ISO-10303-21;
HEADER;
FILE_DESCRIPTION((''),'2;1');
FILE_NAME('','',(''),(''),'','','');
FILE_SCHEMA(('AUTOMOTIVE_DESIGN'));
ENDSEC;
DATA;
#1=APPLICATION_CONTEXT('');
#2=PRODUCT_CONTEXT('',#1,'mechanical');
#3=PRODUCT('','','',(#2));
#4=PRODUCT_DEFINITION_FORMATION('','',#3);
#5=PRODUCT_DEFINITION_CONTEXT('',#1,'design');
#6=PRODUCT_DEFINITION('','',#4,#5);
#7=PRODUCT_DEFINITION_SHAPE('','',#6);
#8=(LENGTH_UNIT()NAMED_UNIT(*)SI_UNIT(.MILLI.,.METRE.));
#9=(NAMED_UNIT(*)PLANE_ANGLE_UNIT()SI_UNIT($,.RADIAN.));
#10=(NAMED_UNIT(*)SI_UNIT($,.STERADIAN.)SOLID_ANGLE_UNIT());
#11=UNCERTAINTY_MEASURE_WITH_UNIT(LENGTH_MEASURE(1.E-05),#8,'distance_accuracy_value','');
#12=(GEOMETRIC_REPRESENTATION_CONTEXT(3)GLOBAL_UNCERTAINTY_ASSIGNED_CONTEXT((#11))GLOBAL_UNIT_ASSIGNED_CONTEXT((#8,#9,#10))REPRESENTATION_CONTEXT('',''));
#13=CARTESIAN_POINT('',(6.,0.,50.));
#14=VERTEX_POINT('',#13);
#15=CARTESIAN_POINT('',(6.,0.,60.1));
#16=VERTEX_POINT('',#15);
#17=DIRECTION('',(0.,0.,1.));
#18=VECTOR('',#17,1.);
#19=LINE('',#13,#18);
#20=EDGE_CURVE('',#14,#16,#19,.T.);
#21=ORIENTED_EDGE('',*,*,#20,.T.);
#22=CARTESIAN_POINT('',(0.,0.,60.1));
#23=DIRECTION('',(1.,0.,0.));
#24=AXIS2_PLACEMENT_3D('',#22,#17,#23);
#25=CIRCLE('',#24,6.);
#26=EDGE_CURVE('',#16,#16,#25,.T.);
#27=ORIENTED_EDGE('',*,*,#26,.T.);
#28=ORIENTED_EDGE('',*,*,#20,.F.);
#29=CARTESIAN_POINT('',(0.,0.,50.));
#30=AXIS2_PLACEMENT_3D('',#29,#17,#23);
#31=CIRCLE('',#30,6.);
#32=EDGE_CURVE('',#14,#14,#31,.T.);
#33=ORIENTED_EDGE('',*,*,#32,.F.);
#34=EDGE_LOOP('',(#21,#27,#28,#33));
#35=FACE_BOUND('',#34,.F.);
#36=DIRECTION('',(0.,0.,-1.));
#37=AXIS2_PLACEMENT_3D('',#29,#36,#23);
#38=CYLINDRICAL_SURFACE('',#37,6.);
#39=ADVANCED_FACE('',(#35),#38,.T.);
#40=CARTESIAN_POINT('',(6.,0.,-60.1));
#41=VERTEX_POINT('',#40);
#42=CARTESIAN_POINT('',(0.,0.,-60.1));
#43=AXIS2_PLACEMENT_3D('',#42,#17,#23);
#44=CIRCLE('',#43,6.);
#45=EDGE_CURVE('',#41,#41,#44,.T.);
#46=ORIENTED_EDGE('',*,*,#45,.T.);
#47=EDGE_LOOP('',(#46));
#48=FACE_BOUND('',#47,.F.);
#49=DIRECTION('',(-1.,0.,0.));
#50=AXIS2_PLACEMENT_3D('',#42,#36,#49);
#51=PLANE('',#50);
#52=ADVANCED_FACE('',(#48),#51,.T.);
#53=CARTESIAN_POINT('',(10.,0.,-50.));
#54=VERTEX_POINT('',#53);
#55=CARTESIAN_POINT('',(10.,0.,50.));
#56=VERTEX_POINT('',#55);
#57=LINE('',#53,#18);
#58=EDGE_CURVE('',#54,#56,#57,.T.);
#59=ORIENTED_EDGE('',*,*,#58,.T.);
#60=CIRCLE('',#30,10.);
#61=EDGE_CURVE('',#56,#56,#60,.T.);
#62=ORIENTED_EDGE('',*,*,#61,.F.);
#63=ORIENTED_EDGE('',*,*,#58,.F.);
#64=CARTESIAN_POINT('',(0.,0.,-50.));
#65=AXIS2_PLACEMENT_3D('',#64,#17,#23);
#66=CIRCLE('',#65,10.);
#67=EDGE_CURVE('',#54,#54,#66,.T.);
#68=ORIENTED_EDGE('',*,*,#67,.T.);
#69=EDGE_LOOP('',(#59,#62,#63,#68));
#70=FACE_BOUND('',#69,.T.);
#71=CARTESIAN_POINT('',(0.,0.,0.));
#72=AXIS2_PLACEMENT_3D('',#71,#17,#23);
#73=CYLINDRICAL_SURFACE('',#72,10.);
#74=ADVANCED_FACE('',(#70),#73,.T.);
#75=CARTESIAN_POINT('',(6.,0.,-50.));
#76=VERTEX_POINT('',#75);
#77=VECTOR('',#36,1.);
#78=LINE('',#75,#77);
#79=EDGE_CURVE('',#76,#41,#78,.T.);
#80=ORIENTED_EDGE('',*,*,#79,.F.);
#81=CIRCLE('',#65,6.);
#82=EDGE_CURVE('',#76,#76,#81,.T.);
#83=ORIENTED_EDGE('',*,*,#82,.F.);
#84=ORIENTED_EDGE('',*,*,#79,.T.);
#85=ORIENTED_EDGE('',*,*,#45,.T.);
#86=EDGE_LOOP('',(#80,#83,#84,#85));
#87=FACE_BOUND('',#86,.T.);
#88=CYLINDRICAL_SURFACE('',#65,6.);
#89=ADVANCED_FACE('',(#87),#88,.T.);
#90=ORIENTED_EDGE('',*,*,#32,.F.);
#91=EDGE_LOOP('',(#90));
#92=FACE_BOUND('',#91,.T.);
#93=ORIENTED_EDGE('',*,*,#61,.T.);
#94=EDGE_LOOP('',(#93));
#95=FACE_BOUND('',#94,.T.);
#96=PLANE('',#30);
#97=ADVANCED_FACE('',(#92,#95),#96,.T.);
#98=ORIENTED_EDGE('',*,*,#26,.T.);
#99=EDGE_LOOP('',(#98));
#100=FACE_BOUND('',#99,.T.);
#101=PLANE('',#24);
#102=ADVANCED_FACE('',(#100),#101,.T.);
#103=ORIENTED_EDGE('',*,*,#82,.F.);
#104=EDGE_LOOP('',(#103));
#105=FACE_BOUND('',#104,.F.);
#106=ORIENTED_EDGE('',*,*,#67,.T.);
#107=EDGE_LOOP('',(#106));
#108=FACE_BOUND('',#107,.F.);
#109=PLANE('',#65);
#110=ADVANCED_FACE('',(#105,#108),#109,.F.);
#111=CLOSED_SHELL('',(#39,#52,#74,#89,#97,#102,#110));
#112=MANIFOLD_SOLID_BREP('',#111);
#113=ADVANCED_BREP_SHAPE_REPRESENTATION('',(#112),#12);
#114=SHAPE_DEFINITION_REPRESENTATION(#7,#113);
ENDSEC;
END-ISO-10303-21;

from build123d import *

# Parameters (mm, degrees)
F0_R     = 10
F1_DEPTH = 50
F2_R     = 6
F3_DEPTH = 10.1


with BuildPart() as f1:
    # F0 (on Top) → F1 (new body, symmetric)
    with BuildSketch(Plane.XY):
        Circle(F0_R)
    extrude(amount=F1_DEPTH, both=True)

    # F2 (on face) → F3 (join)
    with BuildSketch(Plane.XY.offset(50)):
        Circle(F2_R)
    extrude(amount=F3_DEPTH)

    # F4: F1 across plane


with BuildPart() as f1_1:
    add(f1.part)
    add(f1.part.mirror(Plane.XY))


solid = f1_1.part
